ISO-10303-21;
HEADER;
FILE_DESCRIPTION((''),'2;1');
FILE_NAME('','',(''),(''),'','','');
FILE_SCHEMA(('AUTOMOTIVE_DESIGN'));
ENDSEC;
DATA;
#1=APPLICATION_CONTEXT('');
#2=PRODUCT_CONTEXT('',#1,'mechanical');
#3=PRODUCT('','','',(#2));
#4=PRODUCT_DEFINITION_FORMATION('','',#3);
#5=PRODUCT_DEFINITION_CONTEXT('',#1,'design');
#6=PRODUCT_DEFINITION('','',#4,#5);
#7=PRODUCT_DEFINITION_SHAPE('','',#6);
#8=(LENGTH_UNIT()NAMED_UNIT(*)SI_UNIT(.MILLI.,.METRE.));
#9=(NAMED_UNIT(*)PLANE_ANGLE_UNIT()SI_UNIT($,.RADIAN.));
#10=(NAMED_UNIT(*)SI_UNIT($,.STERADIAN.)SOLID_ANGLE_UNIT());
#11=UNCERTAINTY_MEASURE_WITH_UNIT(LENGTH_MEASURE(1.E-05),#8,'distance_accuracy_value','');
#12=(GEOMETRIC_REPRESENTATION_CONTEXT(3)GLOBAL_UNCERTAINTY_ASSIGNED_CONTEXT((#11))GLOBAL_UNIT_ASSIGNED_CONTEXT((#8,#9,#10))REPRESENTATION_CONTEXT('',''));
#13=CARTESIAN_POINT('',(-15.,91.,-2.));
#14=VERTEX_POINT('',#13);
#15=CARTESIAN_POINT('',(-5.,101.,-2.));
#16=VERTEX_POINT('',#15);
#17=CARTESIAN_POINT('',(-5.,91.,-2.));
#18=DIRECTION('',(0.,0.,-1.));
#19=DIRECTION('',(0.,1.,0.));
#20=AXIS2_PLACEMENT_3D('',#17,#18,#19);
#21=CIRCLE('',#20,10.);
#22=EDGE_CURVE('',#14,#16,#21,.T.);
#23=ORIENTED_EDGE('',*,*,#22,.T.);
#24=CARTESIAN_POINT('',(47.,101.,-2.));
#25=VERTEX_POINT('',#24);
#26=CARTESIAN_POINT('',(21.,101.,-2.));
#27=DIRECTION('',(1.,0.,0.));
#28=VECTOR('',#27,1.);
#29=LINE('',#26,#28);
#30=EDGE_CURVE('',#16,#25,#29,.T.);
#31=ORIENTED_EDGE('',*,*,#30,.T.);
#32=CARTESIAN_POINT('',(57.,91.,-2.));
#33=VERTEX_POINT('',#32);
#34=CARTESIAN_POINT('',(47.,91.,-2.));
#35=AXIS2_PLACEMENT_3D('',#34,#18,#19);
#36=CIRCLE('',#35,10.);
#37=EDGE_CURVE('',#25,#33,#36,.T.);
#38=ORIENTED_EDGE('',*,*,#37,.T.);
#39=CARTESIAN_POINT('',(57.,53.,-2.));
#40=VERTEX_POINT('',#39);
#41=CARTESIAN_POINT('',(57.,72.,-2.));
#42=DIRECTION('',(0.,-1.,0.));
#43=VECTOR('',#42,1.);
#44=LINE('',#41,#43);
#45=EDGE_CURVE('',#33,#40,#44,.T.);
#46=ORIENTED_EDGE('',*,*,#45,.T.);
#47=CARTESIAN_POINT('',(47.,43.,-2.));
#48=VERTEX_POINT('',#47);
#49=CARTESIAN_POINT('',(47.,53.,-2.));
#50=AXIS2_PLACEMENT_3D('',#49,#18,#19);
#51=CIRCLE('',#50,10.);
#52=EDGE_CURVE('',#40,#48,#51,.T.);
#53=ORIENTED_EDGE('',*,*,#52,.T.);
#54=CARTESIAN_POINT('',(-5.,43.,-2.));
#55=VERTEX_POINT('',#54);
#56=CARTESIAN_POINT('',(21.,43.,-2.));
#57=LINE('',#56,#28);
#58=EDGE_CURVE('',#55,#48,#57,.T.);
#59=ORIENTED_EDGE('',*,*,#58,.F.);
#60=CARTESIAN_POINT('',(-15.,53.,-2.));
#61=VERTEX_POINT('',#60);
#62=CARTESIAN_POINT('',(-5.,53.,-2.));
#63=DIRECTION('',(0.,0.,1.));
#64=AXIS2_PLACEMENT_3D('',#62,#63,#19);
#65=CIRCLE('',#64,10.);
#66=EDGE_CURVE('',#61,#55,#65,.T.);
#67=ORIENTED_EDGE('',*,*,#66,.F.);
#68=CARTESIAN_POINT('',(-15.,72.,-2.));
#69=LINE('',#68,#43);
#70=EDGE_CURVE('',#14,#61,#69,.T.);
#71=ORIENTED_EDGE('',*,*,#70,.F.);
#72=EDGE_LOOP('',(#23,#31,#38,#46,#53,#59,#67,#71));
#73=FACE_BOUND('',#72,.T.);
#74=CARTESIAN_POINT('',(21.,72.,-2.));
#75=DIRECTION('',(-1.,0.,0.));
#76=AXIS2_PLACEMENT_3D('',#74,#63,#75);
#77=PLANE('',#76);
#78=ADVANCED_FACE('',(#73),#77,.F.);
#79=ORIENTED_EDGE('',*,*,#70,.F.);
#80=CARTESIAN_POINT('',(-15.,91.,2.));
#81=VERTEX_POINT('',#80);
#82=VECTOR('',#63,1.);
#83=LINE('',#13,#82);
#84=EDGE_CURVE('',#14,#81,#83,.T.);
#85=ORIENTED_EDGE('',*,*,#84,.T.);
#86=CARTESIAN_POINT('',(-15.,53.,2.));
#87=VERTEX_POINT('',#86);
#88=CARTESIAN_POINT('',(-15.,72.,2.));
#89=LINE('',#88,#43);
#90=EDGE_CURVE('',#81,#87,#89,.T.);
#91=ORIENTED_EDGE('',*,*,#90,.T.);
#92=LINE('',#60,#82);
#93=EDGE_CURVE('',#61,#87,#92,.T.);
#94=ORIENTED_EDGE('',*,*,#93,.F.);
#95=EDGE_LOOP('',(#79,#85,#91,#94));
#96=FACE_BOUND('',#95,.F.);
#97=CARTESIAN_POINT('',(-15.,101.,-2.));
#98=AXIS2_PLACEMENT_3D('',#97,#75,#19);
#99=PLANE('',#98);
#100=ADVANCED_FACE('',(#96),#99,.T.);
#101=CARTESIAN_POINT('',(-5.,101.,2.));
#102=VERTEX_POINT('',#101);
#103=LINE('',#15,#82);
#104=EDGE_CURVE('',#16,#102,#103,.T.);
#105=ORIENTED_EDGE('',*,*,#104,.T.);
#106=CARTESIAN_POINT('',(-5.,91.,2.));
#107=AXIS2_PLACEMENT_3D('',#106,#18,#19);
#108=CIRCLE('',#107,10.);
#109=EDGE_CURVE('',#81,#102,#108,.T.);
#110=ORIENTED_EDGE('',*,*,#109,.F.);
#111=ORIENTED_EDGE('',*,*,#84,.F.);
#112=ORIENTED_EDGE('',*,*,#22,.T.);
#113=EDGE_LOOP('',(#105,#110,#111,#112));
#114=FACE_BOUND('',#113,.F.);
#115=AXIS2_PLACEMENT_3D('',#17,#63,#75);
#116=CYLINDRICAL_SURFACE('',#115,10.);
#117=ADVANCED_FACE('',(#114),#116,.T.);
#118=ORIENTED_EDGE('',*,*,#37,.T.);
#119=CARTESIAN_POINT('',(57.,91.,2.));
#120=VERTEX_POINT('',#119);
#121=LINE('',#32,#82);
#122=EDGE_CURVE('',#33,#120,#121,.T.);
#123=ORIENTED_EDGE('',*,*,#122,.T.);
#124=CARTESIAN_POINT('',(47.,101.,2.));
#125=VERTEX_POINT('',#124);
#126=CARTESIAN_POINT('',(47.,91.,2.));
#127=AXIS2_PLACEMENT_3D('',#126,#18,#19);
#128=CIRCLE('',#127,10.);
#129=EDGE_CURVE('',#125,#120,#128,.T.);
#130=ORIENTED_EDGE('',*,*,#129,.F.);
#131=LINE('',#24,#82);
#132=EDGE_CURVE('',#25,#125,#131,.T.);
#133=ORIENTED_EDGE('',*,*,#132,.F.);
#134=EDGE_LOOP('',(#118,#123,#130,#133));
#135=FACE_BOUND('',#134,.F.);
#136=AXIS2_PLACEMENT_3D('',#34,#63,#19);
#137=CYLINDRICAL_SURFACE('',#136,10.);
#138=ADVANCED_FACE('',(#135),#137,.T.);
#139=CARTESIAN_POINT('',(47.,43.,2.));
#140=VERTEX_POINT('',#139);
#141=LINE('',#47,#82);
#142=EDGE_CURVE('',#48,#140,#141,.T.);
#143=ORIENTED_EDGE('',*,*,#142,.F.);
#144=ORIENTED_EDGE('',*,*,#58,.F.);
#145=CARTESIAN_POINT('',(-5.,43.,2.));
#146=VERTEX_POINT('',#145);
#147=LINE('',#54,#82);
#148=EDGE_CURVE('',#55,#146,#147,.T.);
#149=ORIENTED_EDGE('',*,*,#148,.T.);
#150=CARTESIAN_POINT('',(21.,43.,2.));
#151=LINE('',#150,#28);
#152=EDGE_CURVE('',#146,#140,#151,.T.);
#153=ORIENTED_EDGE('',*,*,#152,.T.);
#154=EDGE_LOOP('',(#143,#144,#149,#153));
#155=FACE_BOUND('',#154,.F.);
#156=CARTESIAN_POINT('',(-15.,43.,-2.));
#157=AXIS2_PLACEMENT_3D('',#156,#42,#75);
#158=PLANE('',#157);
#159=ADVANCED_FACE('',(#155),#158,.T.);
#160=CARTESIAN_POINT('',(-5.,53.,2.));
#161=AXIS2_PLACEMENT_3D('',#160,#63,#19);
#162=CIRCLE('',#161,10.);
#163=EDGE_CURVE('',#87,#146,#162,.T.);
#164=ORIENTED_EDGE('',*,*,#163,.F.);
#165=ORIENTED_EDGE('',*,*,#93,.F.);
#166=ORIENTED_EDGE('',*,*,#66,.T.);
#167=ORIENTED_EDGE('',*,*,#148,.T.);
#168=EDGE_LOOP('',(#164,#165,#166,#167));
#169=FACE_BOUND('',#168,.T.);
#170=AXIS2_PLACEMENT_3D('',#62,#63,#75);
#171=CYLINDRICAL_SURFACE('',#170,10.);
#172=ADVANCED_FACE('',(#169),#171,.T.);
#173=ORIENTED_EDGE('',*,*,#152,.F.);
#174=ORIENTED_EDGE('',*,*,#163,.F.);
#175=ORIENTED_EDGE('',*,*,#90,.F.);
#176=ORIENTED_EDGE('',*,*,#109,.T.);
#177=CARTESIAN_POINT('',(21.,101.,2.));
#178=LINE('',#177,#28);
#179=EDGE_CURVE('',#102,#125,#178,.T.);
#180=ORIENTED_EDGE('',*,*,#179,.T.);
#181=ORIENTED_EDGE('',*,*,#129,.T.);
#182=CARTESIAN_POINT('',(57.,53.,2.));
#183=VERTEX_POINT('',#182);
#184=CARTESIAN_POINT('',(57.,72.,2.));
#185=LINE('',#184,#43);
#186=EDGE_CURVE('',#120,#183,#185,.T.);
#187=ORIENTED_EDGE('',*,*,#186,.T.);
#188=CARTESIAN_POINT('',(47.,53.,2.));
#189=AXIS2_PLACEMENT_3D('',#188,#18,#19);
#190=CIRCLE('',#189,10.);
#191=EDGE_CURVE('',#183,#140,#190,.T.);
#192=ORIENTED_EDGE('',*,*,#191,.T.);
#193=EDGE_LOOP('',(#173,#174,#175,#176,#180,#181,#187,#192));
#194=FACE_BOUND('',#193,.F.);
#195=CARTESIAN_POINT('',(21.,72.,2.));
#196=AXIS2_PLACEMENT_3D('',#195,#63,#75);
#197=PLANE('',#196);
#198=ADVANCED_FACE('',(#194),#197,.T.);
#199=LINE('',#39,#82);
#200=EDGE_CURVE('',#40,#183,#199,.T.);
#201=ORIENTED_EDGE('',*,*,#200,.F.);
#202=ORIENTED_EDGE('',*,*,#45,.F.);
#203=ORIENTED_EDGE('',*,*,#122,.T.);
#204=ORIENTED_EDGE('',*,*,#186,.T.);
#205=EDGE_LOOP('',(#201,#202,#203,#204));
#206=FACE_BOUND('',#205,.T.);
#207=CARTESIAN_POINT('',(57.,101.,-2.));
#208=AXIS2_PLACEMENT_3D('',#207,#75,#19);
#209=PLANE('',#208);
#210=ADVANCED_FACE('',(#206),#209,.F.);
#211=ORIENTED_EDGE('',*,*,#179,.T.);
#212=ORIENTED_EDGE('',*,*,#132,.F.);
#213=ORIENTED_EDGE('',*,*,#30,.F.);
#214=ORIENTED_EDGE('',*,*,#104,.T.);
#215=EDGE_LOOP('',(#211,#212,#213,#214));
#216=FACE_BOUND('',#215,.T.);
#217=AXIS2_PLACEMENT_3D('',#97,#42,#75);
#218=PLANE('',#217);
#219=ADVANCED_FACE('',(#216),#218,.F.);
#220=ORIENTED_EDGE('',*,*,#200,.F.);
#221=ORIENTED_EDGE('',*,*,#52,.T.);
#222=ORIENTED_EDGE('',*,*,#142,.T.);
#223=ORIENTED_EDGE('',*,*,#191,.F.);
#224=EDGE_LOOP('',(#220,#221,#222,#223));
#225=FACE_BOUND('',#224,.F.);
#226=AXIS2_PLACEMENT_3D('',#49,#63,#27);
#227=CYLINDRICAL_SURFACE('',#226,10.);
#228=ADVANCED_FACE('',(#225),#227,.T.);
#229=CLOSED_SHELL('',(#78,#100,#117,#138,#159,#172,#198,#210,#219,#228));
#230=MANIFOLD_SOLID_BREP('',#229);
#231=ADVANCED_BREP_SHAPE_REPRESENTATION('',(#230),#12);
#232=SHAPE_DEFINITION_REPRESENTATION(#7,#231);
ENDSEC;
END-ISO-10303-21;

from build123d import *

# Parameters (mm, degrees)
BOX031_W     = 72
BOX031_H     = 58
BOX031_DEPTH = 4
FILLET025_R  = 10


with BuildPart() as fillet025:
    # Box031 → Box031 (new body)
    with BuildSketch(Plane(origin=(-15, -29, -2), x_dir=(1, 0, 0), z_dir=(0, 0, 1))):
        with Locations((36, 29)):
            Rectangle(BOX031_W, BOX031_H)
    extrude(amount=BOX031_DEPTH)

    # Fillet025
    fillet025_edges = [fillet025.edges().sort_by_distance(p)[0] for p in [
        (-15, -29, 0),
        (-15, 29, 0),
        (57, -29, 0),
        (57, 29, 0),
    ]]
    fillet(fillet025_edges, radius=FILLET025_R)


with BuildPart() as part_mirroring010:
    # Part__Mirroring010: instance of Fillet025
    add(fillet025.part.mirror(Plane(origin=(0, 0, 0), x_dir=(1, 0, 0), z_dir=(0, 1, 0))))


with BuildPart() as part_mirroring010_1:
    # Part__Mirroring010 placement: moved
    add(part_mirroring010.part.moved(Location((0, 72, 0))))


solid = part_mirroring010_1.part
